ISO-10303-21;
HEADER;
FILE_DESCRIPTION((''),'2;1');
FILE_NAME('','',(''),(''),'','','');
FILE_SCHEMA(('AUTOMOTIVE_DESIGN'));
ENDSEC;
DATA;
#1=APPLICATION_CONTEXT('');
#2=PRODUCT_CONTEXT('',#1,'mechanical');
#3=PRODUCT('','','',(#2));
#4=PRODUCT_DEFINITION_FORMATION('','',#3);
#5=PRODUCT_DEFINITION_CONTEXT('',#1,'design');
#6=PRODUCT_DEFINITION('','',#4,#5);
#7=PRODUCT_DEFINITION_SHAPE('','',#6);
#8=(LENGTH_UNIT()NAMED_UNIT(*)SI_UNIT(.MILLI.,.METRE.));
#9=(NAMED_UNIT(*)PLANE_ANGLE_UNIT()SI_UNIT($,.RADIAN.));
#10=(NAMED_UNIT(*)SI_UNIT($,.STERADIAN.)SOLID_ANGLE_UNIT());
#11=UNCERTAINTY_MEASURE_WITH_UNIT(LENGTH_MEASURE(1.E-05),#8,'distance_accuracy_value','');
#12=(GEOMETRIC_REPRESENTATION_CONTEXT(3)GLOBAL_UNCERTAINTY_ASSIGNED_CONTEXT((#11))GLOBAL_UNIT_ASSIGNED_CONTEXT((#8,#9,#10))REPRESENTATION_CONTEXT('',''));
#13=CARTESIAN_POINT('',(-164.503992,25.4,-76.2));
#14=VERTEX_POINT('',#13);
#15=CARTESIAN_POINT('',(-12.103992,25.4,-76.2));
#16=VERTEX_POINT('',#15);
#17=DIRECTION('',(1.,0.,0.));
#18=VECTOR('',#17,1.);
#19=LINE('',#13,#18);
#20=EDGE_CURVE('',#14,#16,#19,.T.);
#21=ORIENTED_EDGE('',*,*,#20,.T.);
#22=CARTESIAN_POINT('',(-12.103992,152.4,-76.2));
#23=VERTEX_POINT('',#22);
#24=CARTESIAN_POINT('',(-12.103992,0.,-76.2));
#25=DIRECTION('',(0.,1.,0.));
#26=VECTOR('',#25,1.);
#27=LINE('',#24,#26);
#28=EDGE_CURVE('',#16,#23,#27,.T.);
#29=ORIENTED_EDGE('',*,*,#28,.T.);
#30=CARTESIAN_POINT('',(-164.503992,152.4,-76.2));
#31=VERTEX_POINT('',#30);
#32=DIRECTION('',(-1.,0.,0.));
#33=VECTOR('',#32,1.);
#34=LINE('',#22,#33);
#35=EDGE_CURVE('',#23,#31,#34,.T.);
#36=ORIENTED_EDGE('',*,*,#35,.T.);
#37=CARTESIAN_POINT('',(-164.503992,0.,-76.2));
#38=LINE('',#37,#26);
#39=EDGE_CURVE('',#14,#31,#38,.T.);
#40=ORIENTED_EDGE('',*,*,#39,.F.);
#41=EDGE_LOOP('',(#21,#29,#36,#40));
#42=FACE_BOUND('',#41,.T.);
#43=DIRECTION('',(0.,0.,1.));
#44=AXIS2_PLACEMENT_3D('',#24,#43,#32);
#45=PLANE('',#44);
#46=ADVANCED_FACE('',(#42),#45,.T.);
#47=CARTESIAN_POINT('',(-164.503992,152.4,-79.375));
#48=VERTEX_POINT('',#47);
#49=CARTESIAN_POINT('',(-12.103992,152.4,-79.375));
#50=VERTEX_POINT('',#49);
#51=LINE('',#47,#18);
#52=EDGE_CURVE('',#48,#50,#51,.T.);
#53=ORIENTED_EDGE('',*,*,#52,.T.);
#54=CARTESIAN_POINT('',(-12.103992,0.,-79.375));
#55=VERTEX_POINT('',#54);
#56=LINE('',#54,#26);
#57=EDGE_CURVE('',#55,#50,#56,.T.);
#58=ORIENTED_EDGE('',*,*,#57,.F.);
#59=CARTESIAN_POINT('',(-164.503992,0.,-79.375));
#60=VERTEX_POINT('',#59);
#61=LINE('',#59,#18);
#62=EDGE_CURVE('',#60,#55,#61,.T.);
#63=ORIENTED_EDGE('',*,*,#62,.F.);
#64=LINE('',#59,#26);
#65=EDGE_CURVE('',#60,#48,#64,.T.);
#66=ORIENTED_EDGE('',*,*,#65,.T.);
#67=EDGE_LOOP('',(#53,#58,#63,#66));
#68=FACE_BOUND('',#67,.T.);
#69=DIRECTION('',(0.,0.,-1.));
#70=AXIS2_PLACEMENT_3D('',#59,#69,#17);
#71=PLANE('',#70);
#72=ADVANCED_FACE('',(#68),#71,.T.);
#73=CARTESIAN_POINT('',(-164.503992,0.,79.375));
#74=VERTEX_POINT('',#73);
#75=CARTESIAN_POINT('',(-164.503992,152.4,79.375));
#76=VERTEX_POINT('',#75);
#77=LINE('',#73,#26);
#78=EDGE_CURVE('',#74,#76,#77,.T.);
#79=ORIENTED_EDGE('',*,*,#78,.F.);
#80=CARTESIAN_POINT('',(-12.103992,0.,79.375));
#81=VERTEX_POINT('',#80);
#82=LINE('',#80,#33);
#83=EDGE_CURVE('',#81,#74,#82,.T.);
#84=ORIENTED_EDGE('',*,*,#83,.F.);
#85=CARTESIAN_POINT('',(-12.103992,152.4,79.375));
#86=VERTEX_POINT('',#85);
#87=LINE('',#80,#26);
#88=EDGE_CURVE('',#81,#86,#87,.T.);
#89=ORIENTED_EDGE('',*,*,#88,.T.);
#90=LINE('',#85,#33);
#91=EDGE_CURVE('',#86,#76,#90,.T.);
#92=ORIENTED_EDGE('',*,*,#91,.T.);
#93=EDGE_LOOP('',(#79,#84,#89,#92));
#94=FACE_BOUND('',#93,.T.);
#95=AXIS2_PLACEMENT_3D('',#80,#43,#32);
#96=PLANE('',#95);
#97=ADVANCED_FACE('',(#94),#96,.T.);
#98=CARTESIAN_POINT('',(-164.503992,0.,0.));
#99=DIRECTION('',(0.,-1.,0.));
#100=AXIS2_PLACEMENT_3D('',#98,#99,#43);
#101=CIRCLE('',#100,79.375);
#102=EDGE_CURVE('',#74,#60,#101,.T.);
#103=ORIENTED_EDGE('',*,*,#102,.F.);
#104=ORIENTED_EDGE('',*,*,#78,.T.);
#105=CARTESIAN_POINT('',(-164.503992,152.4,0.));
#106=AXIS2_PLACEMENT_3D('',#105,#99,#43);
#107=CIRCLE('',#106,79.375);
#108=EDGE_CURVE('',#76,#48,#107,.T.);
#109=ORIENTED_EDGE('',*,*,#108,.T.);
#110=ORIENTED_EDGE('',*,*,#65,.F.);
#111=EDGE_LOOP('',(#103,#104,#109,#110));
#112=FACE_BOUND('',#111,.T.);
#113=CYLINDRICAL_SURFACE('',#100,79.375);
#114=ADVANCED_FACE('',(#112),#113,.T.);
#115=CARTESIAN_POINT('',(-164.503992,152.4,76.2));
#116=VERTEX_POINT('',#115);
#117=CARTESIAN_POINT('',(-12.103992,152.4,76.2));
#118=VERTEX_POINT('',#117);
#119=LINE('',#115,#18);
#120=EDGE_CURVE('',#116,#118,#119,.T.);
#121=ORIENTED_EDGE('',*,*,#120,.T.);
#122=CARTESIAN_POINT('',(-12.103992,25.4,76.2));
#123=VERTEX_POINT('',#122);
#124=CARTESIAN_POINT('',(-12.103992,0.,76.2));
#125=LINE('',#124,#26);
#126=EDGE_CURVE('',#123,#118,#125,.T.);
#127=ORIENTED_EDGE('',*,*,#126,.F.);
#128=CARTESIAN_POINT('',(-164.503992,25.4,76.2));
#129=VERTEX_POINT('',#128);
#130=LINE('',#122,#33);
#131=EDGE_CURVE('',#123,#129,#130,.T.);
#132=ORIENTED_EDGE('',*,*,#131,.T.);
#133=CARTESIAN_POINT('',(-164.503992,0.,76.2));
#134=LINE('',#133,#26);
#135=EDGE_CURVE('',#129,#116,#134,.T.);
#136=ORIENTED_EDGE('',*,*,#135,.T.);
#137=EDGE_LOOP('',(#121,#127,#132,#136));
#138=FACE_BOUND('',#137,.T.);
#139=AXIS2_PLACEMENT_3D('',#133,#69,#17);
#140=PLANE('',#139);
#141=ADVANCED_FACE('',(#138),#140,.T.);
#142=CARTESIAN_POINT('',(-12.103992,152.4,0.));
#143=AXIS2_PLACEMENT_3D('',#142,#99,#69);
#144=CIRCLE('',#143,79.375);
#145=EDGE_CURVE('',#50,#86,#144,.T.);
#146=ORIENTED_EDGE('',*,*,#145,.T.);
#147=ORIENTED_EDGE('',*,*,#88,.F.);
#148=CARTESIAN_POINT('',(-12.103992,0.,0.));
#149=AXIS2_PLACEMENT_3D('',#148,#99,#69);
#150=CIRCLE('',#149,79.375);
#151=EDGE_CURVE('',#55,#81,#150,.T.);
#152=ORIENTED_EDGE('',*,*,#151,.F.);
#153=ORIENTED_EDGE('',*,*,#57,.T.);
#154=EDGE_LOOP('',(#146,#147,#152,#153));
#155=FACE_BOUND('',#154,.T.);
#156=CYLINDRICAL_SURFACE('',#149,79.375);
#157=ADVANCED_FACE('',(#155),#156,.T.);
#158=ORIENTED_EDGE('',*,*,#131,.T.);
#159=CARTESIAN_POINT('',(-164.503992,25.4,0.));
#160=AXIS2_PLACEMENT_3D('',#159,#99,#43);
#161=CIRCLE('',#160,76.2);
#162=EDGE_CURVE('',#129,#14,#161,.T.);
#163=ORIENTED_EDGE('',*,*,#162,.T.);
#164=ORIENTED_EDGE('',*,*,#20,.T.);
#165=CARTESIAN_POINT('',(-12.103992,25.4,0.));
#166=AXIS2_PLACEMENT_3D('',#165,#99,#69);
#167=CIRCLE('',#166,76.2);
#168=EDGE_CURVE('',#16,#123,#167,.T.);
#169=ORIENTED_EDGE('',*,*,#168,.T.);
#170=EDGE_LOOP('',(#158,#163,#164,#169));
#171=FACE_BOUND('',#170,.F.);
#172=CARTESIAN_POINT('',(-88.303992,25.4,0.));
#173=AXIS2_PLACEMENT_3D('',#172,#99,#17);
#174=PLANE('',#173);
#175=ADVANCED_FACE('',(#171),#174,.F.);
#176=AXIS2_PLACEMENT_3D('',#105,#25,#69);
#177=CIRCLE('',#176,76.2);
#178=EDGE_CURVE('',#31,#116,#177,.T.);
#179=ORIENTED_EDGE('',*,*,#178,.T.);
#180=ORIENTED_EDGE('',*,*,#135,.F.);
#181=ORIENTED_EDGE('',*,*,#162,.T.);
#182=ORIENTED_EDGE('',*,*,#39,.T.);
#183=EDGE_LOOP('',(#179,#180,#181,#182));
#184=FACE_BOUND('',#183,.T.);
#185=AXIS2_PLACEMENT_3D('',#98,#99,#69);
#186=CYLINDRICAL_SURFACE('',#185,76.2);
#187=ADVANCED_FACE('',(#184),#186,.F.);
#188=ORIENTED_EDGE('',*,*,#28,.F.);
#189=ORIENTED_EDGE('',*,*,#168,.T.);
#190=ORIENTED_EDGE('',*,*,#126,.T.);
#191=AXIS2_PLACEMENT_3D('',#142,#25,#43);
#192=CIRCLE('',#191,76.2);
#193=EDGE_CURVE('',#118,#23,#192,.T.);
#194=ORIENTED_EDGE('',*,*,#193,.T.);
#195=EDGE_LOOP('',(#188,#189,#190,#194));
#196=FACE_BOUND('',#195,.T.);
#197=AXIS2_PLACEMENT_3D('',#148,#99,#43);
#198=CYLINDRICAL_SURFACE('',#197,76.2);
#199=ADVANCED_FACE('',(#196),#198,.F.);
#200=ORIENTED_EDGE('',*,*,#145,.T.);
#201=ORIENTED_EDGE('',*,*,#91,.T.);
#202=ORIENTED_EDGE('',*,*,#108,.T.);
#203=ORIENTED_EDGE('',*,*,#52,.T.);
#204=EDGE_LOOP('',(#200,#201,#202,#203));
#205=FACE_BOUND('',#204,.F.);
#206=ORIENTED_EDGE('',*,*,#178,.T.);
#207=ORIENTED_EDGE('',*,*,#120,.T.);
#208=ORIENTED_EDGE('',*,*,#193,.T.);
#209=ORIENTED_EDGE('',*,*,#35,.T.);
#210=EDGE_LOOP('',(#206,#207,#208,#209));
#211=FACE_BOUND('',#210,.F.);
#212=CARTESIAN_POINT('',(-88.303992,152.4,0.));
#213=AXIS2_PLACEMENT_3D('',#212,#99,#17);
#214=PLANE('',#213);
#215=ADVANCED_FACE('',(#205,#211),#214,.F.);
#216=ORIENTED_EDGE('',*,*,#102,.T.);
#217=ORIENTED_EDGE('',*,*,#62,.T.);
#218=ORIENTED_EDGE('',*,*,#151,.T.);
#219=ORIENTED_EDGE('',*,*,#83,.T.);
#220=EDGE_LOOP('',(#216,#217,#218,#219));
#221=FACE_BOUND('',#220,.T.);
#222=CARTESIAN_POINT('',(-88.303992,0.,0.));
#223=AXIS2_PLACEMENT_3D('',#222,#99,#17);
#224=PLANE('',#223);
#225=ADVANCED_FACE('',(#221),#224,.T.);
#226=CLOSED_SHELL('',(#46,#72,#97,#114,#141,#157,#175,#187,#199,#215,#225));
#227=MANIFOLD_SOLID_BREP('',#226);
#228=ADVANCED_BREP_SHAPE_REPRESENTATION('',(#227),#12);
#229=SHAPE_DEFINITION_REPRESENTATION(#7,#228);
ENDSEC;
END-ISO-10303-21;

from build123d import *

# Parameters (mm, degrees)
F1_DEPTH = 152.4
F2_DEPTH = 25.4


with BuildPart() as f1:
    # F0 (on Front) → F1 (new body)
    with BuildSketch(Plane.XZ):
        with BuildLine():
            Line((-164.5039917738, -79.375), (-12.1039917738, -79.375))
            ThreePointArc((-12.1039917738, -79.375), (67.2710082262, 0), (-12.1039917738, 79.375))
            Line((-12.1039917738, 79.375), (-164.5039917738, 79.375))
            ThreePointArc((-164.5039917738, 79.375), (-243.8789917738, 0), (-164.5039917738, -79.375))
        make_face()
        with BuildLine():
            ThreePointArc((-12.1039917738, 76.2), (64.0960082262, 0), (-12.1039917738, -76.2))
            Line((-12.1039917738, -76.2), (-164.5039917738, -76.2))
            ThreePointArc((-164.5039917738, -76.2), (-240.7039917738, 0), (-164.5039917738, 76.2))
            Line((-164.5039917738, 76.2), (-12.1039917738, 76.2))
        make_face(mode=Mode.SUBTRACT)
    extrude(amount=-F1_DEPTH)

    # F0 (on Front) → F2 (join)
    with BuildSketch(Plane.XZ):
        with BuildLine():
            Line((-164.5039917738, -76.2), (-12.1039917738, -76.2))
            ThreePointArc((-12.1039917738, -76.2), (64.0960082262, 0), (-12.1039917738, 76.2))
            Line((-12.1039917738, 76.2), (-164.5039917738, 76.2))
            ThreePointArc((-164.5039917738, 76.2), (-240.7039917738, 0), (-164.5039917738, -76.2))
        make_face()
    extrude(amount=-F2_DEPTH)


solid = f1.part
